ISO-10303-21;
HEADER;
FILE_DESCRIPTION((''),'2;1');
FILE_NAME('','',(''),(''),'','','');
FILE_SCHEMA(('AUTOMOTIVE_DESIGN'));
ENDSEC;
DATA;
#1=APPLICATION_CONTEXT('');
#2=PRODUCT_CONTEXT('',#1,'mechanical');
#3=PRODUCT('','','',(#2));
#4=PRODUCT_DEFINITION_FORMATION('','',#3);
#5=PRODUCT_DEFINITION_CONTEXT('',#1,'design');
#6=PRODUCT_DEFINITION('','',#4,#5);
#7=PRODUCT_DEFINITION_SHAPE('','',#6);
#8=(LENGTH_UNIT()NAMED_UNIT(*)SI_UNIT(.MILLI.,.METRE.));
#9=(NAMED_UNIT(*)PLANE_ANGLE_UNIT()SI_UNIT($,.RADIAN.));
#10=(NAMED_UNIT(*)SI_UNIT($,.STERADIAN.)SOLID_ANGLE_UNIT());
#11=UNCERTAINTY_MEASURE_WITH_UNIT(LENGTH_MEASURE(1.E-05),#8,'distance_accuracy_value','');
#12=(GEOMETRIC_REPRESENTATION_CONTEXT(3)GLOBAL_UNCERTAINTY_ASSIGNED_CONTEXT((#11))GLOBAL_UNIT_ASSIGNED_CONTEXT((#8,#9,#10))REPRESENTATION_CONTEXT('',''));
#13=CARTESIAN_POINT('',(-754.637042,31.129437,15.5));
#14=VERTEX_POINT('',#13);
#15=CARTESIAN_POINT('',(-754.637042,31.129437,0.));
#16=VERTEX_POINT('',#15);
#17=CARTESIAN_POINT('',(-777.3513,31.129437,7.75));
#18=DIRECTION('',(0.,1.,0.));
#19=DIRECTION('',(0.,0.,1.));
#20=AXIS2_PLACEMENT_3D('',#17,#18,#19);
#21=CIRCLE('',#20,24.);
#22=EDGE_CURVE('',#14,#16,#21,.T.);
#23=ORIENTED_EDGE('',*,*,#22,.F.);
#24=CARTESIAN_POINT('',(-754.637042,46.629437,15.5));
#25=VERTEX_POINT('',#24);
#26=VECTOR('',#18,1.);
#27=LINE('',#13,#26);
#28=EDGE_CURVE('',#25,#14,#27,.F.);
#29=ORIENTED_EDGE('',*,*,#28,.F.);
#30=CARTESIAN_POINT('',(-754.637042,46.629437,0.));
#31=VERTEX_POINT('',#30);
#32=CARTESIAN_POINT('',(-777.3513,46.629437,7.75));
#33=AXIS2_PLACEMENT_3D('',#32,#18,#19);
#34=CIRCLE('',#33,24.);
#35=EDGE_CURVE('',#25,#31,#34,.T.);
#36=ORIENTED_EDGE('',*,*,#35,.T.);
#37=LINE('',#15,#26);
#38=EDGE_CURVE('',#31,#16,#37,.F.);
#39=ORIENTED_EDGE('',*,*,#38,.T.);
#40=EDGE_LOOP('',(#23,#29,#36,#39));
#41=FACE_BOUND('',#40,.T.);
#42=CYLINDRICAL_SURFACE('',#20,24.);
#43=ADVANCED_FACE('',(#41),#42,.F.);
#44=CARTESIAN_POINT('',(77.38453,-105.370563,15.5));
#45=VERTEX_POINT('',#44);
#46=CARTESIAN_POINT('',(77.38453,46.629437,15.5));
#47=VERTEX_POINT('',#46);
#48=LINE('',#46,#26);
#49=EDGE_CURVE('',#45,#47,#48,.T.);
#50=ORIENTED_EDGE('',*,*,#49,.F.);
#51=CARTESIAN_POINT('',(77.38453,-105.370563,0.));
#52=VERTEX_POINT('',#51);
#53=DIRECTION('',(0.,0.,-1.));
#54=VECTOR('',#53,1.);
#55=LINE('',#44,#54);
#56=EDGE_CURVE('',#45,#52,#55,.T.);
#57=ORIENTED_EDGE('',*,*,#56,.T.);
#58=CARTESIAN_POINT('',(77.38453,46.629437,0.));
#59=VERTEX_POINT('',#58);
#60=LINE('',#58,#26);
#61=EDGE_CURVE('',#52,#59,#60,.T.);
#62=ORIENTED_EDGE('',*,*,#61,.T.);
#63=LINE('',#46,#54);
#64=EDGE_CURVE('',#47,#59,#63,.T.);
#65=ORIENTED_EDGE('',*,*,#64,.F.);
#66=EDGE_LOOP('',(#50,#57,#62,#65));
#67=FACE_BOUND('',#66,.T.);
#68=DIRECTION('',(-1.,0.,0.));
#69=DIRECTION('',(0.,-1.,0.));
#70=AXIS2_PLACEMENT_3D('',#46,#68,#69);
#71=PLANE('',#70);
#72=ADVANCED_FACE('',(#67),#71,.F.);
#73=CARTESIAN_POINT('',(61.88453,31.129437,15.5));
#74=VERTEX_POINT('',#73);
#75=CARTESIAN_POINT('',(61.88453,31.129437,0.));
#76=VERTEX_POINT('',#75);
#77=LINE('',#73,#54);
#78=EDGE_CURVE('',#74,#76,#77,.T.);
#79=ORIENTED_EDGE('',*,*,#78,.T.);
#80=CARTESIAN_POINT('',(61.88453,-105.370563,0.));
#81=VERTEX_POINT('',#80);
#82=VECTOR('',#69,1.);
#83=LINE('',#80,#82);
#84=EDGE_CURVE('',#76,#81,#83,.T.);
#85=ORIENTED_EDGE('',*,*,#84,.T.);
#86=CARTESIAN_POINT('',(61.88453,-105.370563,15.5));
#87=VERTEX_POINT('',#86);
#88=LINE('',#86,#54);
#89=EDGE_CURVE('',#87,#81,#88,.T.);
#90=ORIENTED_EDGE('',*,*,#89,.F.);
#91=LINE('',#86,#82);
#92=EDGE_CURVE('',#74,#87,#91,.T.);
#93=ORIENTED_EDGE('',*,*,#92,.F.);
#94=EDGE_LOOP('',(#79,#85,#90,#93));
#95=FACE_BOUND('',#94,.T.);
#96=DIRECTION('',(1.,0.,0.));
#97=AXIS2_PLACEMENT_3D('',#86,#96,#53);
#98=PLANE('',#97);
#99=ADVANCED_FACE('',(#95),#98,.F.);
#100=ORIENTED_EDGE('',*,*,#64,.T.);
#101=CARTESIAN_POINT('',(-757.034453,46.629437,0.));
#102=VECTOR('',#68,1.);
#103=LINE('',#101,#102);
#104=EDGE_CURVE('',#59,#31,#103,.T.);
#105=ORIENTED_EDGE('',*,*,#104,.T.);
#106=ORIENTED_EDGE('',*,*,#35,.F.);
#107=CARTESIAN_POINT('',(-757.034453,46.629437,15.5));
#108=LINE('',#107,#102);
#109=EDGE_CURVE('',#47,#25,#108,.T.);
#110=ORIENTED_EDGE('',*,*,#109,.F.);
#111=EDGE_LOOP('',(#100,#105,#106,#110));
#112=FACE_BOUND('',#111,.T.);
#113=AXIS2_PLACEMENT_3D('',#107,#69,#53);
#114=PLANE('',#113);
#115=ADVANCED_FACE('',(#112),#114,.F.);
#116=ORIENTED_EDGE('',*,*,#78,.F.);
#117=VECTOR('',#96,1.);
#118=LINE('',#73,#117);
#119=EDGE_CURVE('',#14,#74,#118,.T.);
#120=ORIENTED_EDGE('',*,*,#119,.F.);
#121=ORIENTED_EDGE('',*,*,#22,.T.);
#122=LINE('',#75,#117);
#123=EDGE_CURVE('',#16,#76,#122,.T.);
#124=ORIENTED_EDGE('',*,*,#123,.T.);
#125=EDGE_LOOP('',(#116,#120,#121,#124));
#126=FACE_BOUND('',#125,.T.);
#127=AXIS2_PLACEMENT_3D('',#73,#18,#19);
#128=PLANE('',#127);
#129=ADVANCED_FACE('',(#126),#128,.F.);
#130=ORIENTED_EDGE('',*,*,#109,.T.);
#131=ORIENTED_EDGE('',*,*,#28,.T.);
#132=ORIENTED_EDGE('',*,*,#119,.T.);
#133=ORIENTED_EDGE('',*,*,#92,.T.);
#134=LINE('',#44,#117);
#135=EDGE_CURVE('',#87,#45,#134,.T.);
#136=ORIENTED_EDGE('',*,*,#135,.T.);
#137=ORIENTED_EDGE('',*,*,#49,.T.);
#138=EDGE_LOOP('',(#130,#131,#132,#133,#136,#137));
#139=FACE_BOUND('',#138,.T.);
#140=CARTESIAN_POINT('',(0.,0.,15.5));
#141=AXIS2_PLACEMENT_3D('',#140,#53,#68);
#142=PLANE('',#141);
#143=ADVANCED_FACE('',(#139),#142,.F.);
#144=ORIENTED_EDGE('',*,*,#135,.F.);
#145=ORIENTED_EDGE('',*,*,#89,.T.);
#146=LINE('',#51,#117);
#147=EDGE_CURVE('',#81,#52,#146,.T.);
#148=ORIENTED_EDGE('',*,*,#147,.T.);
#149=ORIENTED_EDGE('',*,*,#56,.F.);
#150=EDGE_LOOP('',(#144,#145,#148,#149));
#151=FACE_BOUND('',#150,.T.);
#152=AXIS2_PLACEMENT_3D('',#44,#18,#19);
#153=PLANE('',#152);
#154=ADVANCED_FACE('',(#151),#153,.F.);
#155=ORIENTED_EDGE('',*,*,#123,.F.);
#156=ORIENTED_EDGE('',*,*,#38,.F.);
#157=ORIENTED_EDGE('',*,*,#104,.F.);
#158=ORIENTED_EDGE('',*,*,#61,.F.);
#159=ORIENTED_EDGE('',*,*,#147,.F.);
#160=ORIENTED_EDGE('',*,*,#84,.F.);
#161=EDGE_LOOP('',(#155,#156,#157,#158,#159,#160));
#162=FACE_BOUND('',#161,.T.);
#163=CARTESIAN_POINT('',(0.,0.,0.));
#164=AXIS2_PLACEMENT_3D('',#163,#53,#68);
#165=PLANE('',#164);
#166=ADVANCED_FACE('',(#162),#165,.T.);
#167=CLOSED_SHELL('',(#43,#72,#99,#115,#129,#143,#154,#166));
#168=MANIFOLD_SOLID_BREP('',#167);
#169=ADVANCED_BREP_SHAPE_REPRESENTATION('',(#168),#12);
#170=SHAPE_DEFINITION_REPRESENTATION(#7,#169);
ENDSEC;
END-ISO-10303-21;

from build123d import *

# Parameters (mm, degrees)
EXTRUDE_1_DEPTH     = 15.5
SKETCH_3_R          = 24
CUT_EXTRUDE_1_DEPTH = 15.5


with BuildPart() as part:
    # 草图2 → 凸台-拉伸1 (new body)
    with BuildSketch(Plane.XY):
        Polygon((77.384529859, -105.37056338), (61.884529859, -105.37056338), (61.884529859, 31.12943662), (-757.0344529, 31.12943662), (-757.0344529, 46.62943662), (77.384529859, 46.62943662), align=None)
    extrude(amount=EXTRUDE_1_DEPTH)

    # 草图3 → 切除-拉伸1 (cut)
    with BuildSketch(Plane(origin=(0, 46.62943662, 0), x_dir=(1, 0, 0), z_dir=(0, 1, 0))):
        with Locations((-777.351299764, -7.75)):
            Circle(SKETCH_3_R)
    extrude(amount=-CUT_EXTRUDE_1_DEPTH, mode=Mode.SUBTRACT)


solid = part.part
